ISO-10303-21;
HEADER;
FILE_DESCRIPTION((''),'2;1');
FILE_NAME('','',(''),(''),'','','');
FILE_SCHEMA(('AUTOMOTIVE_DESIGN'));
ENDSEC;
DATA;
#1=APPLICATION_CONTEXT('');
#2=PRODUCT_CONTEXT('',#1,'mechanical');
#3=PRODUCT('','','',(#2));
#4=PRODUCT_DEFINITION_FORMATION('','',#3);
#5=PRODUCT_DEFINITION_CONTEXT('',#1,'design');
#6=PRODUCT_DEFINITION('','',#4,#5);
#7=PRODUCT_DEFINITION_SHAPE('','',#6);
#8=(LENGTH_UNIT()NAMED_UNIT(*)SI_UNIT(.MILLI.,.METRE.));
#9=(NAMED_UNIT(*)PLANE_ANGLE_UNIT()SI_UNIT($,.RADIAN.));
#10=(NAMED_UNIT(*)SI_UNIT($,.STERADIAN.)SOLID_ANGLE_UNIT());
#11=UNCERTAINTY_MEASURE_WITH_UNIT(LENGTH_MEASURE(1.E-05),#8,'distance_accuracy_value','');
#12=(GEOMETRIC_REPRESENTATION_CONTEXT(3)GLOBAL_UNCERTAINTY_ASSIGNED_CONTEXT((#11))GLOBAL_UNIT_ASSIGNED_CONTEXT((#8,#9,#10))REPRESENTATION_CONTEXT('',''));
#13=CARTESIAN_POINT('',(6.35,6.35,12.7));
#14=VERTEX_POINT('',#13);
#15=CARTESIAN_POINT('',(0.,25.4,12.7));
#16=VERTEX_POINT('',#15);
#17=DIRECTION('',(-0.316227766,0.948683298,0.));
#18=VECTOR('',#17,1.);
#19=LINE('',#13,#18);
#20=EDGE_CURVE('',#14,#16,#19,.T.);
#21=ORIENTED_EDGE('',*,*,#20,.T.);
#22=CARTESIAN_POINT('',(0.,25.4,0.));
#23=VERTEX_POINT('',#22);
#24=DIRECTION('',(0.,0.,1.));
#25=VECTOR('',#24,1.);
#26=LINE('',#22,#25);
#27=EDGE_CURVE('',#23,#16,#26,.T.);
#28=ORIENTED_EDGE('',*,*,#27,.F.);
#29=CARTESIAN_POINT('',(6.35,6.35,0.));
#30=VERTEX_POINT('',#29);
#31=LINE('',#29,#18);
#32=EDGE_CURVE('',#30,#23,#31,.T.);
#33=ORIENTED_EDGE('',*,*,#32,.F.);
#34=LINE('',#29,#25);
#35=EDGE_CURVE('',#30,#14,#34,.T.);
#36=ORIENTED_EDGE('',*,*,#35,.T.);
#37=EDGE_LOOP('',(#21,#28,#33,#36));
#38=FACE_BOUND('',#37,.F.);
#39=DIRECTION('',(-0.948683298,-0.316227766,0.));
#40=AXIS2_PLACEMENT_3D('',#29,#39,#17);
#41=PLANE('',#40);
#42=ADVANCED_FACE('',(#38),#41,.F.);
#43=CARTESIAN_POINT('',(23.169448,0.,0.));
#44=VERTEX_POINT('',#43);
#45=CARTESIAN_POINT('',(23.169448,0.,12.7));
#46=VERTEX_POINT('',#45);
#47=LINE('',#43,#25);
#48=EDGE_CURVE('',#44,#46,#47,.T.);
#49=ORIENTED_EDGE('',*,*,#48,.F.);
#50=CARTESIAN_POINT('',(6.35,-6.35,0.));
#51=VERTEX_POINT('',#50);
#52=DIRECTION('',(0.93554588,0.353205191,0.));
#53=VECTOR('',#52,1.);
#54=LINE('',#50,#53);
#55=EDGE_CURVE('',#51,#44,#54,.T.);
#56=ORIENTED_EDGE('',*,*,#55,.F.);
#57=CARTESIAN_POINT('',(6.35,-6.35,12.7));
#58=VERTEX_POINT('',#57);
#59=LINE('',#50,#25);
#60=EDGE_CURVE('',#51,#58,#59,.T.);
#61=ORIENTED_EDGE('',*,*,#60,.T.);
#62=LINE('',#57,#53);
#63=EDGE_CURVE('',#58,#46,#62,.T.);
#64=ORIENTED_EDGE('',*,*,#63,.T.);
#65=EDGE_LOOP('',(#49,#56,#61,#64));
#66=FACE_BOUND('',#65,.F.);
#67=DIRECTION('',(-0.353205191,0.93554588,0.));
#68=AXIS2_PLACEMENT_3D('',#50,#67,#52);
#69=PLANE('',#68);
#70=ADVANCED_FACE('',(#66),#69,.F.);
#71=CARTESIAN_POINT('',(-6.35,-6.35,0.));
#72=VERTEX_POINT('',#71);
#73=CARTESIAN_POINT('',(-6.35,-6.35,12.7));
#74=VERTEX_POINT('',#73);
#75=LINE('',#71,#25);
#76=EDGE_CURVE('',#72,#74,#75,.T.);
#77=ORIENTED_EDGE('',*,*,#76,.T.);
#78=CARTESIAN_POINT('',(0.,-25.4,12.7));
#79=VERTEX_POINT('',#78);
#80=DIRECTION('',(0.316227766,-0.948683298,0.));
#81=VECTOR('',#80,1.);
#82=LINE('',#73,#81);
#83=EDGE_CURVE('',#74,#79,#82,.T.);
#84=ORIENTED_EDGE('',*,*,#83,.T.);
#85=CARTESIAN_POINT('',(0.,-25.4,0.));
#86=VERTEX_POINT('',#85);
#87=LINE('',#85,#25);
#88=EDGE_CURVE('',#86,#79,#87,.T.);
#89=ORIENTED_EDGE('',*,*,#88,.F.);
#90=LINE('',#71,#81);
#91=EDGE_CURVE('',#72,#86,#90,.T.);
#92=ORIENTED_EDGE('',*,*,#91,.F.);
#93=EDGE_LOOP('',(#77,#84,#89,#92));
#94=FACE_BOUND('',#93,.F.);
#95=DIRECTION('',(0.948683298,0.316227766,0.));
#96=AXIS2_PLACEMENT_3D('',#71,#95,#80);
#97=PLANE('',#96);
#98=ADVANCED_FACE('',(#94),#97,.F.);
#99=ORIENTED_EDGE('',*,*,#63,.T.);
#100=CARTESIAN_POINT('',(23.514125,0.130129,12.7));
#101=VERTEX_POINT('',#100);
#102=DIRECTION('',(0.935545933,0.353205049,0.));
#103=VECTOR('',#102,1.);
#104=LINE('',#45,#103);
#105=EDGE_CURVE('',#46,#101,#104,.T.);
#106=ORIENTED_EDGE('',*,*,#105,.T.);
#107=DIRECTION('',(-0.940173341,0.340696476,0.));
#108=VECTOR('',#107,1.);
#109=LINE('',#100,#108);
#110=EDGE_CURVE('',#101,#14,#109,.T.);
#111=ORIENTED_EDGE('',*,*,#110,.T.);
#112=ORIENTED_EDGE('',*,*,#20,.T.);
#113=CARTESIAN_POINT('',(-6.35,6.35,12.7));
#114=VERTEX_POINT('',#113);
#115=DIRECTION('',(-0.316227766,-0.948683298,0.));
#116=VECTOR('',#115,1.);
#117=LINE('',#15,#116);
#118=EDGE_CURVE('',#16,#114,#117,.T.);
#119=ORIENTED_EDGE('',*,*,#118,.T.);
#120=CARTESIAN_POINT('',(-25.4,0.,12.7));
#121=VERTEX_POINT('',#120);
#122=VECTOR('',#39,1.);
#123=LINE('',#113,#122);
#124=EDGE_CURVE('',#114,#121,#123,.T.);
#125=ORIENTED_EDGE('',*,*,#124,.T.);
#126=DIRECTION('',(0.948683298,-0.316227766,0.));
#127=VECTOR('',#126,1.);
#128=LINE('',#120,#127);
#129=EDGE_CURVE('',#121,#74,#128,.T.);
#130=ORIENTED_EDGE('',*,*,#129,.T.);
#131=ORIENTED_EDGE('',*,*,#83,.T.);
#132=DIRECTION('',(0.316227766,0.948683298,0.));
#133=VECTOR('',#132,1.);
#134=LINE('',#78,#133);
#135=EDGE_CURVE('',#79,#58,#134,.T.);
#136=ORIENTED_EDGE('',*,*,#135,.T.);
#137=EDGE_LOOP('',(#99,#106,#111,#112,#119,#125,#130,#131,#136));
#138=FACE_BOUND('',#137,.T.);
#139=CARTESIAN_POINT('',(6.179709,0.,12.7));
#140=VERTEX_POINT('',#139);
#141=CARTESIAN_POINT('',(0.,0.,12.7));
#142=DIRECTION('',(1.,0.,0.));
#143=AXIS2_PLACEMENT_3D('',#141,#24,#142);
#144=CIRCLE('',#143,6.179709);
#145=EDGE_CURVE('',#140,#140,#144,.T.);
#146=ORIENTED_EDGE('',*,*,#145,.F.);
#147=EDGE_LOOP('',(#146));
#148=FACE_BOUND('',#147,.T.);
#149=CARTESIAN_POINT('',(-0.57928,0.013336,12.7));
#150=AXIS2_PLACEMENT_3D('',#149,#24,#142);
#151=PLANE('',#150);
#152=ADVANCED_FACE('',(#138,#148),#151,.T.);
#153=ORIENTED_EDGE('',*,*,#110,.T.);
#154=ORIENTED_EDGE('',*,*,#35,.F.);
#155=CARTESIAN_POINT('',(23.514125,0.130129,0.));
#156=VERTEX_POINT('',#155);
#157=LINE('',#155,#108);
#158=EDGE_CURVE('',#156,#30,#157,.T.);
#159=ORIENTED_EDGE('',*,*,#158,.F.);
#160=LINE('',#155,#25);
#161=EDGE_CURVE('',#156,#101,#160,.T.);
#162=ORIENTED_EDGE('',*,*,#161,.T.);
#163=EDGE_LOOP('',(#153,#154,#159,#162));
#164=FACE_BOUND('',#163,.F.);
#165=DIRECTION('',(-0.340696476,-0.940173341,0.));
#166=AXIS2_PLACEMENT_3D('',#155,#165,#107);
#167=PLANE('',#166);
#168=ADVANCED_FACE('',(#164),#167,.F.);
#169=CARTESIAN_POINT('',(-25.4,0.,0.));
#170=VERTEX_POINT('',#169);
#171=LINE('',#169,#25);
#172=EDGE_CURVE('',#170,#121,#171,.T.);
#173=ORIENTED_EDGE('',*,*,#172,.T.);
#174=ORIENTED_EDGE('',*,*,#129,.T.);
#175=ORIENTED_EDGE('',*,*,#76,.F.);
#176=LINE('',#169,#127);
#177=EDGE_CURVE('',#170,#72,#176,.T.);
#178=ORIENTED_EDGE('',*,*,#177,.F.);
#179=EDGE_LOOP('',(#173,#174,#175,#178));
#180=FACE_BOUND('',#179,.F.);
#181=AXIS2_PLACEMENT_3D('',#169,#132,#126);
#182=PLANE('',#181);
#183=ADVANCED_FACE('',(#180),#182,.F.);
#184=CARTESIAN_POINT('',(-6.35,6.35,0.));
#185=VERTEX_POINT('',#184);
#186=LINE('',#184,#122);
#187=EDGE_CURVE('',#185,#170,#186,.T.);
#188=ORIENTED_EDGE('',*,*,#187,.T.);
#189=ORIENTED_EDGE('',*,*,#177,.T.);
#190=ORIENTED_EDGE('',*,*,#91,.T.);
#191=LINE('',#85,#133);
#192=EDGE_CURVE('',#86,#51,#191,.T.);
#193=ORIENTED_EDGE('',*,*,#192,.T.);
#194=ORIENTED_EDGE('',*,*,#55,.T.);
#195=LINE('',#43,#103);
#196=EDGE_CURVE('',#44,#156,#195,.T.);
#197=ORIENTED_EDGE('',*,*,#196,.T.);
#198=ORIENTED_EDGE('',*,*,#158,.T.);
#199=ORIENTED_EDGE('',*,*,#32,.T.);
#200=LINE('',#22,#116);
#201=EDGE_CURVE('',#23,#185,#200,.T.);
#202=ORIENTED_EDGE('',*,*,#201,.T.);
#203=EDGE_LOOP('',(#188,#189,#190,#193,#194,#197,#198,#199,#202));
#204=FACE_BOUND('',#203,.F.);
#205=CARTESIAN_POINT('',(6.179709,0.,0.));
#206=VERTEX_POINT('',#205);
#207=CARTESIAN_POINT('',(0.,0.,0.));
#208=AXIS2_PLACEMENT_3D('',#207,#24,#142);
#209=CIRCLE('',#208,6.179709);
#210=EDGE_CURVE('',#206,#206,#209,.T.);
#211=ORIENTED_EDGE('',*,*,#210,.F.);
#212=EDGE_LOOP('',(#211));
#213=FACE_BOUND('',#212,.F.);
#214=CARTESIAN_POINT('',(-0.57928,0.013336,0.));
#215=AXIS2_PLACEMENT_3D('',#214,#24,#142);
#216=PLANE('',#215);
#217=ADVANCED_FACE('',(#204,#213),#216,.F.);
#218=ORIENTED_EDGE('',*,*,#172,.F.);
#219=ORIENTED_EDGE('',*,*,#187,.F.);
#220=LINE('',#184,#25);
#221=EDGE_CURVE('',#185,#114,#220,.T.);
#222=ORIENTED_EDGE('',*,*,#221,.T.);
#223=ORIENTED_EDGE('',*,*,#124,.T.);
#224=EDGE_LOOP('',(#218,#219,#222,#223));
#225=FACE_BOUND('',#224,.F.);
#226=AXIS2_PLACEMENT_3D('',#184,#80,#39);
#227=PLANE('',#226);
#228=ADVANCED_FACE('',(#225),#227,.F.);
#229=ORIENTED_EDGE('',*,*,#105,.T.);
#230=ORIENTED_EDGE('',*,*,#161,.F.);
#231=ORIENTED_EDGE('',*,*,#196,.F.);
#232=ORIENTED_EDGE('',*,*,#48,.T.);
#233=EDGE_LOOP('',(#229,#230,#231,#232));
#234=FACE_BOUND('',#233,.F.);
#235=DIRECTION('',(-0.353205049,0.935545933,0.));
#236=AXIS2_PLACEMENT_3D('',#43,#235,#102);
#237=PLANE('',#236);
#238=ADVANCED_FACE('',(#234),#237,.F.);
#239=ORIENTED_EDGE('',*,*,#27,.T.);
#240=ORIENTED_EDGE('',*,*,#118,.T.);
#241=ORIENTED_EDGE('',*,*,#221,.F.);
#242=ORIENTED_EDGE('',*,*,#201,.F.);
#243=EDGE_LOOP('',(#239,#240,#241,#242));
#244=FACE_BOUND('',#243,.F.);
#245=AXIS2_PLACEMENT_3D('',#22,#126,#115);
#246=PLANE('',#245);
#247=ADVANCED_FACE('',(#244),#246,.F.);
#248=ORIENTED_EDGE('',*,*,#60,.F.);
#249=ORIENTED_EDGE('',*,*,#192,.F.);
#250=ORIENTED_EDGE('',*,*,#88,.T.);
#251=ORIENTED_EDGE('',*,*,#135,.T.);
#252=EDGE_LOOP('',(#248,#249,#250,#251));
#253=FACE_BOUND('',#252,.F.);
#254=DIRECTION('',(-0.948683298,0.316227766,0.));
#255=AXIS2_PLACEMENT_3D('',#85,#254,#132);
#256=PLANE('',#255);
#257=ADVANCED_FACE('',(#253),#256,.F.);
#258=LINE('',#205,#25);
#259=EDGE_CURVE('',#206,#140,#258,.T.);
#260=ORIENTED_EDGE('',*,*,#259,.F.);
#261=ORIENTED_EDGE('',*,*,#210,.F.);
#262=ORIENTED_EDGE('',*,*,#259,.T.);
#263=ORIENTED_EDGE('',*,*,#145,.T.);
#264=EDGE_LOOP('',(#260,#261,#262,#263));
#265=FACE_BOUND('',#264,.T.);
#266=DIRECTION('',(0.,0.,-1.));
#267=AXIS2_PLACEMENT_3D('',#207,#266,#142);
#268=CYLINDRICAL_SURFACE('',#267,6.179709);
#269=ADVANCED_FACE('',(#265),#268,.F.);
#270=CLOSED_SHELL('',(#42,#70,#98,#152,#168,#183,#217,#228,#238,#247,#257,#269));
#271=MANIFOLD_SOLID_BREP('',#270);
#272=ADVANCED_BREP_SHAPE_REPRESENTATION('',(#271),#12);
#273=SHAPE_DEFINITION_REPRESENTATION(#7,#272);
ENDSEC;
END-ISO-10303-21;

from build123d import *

# Parameters (mm, degrees)
F0_R     = 6.179709
F1_DEPTH = 12.7


with BuildPart() as f1:
    # F0 (on Top) → F1 (new body)
    with BuildSketch(Plane.XY):
        Polygon((6.35, -6.35), (23.169448, 0), (23.514125, 0.130129), (6.35, 6.35), (0, 25.4), (-6.35, 6.35), (-25.4, 0), (-6.35, -6.35), (0, -25.4), align=None)
        Circle(F0_R, mode=Mode.SUBTRACT)
    extrude(amount=F1_DEPTH)


solid = f1.part
